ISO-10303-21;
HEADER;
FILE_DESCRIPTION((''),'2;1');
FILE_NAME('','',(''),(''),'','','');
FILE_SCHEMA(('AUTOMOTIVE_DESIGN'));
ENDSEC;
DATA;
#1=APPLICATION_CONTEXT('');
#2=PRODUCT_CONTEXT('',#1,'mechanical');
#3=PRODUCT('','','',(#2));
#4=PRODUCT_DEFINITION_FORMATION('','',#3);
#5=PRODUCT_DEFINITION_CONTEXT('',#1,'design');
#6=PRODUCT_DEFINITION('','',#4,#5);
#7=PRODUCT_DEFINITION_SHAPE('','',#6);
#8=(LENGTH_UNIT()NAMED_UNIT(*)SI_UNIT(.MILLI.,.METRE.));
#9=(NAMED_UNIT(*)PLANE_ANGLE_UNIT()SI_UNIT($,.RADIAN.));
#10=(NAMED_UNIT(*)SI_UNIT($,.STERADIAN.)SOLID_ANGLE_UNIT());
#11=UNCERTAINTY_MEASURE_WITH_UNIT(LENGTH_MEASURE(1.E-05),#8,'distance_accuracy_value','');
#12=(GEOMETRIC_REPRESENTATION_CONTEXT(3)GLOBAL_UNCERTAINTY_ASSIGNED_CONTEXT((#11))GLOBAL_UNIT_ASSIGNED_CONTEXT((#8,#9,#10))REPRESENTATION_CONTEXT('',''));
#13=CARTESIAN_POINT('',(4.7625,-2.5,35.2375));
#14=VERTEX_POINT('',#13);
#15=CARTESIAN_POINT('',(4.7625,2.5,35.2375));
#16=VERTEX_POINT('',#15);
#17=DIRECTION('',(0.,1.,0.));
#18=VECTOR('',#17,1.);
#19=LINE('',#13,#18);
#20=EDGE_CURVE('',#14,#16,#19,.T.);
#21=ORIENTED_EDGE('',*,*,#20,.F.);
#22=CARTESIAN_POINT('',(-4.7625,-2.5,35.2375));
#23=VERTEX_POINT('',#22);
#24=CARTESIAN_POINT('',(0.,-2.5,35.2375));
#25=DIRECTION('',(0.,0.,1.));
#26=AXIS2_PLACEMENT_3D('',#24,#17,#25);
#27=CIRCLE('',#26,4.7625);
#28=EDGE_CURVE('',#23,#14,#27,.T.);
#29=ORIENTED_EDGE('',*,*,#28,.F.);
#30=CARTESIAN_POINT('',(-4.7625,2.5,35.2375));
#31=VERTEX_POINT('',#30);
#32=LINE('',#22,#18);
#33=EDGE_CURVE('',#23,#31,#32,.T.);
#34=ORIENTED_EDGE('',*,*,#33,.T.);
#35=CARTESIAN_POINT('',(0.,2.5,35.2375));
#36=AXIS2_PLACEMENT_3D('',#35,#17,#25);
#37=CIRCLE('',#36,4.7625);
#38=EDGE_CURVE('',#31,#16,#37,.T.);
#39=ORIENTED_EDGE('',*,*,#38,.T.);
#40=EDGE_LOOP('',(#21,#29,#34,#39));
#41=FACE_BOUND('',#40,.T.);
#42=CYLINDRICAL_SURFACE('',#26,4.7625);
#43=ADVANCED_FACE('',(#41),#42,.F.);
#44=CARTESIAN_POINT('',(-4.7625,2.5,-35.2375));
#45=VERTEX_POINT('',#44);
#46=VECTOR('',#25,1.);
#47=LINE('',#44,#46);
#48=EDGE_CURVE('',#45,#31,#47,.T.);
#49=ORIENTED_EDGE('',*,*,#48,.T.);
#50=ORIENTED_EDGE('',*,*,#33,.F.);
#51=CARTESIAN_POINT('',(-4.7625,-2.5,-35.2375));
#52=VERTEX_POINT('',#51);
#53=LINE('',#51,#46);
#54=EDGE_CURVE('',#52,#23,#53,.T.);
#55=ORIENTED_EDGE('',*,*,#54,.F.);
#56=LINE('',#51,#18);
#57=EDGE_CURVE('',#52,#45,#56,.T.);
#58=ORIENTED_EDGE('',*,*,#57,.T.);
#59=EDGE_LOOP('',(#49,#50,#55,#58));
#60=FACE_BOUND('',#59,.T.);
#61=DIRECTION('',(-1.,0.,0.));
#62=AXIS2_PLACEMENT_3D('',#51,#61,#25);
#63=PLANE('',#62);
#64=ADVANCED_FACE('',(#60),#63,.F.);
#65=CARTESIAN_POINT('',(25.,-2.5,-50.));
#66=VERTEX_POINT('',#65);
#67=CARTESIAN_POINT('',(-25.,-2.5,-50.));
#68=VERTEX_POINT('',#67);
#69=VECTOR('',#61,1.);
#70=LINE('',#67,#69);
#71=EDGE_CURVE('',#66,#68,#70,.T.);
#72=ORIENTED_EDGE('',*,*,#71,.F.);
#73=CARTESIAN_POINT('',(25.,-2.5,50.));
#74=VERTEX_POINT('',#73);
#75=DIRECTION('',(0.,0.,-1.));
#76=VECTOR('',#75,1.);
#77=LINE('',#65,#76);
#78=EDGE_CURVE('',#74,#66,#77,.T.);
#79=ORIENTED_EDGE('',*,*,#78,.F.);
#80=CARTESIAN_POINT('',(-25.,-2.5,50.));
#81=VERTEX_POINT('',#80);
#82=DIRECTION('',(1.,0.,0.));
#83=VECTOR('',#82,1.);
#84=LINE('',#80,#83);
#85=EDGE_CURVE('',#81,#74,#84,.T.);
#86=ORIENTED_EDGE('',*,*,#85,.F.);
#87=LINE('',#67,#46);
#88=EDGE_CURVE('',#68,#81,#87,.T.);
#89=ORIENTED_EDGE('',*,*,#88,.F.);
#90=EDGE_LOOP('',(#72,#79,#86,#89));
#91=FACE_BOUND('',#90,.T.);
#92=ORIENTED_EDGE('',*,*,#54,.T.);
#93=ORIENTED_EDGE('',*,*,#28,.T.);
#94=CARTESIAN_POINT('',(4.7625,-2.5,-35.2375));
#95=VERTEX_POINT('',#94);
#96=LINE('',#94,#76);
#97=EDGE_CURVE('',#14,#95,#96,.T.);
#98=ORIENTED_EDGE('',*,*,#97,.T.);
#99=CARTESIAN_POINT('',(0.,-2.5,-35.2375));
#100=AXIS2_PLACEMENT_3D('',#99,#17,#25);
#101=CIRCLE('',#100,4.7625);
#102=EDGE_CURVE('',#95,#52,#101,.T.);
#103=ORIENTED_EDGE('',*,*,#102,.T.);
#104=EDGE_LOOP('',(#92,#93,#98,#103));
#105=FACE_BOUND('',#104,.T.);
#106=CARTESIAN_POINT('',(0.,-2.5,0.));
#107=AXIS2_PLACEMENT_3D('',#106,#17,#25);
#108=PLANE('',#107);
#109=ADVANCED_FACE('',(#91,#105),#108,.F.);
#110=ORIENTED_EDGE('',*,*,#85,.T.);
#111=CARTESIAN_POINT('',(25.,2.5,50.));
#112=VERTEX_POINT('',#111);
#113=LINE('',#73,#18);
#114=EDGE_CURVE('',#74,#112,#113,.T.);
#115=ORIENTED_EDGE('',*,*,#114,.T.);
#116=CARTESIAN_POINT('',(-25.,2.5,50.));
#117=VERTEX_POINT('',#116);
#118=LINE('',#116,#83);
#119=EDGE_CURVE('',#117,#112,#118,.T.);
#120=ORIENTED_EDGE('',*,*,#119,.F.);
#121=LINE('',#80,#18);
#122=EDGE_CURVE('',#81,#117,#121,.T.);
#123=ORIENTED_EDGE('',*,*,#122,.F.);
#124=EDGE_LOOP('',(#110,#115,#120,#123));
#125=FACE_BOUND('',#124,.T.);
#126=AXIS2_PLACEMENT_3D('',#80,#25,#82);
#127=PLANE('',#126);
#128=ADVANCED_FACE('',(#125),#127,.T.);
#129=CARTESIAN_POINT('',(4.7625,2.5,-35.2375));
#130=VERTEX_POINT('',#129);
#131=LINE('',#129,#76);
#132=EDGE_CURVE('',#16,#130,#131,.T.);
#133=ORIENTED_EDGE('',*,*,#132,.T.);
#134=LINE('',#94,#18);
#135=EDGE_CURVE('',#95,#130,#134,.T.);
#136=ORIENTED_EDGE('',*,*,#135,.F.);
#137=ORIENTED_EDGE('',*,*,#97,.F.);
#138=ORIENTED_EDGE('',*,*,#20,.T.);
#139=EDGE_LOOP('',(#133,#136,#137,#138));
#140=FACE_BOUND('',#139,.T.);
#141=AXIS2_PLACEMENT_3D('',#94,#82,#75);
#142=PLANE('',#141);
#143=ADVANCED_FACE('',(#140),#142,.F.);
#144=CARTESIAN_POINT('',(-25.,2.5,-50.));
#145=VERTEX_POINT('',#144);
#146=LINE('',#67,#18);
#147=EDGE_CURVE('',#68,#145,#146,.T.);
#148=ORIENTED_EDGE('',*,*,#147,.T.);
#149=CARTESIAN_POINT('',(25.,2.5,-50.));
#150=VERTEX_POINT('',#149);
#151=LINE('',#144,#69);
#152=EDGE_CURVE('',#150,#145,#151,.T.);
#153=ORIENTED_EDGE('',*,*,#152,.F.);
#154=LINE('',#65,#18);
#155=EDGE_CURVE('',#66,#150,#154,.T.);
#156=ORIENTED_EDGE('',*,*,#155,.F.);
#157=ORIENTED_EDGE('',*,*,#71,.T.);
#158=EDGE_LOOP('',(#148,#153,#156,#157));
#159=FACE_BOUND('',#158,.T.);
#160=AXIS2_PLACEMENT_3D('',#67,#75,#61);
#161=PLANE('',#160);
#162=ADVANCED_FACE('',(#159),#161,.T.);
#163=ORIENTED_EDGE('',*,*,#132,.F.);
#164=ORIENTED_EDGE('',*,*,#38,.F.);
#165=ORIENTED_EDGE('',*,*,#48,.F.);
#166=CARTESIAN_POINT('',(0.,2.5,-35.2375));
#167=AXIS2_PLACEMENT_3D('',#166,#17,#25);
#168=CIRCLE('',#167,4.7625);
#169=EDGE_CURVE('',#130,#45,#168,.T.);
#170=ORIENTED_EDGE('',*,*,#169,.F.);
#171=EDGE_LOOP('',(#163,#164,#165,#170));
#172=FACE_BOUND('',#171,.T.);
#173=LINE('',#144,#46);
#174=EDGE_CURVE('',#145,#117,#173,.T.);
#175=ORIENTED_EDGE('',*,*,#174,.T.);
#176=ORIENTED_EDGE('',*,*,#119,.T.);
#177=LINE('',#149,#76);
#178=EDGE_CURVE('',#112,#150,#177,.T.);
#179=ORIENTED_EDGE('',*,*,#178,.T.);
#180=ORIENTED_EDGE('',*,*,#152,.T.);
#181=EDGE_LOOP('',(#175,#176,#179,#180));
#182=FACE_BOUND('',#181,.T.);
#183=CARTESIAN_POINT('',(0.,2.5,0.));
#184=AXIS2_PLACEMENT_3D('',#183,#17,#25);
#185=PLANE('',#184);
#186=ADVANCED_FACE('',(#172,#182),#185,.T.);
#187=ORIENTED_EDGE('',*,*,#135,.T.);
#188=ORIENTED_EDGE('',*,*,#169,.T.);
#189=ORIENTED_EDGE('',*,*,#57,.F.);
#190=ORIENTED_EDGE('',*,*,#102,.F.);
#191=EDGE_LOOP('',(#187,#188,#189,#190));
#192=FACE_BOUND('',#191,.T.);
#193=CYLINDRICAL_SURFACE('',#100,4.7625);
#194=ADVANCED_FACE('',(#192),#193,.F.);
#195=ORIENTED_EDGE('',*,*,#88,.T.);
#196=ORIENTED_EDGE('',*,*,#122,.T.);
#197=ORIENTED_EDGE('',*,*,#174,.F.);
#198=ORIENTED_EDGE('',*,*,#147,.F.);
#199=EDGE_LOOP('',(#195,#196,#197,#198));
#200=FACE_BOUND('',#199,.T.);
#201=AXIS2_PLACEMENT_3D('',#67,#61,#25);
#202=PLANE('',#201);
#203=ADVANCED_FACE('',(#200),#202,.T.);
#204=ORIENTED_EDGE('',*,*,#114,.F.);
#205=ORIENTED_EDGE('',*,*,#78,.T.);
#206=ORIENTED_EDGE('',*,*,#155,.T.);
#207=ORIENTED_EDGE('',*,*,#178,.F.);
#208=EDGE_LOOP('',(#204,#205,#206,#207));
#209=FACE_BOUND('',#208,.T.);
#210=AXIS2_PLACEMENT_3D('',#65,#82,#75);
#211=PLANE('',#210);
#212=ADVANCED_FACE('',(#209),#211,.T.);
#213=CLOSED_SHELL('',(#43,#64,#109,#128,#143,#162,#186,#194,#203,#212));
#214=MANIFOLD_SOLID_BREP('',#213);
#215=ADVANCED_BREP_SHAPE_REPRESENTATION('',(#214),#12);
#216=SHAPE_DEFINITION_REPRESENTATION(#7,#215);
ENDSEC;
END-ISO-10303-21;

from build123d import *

# Parameters (mm, degrees)
BOSS_EXTRUDE1_DEPTH      = 2.5
BOSS_EXTRUDE1_DEPTH_BACK = 2.5
SKETCH1_W                = 50
SKETCH1_H                = 100


with BuildPart() as part:
    # Sketch1 → Boss-Extrude1 (new, two sides: drawn at the far end of the back side and taken through both)
    with BuildSketch(Plane(origin=(0, 0, 0), x_dir=(1, 0, 0), z_dir=(0, 1, 0)).offset(-BOSS_EXTRUDE1_DEPTH_BACK)):
        Rectangle(SKETCH1_W, SKETCH1_H)
        with BuildLine():
            Line((4.7625, 35.2375), (4.7625, -35.2375))
            ThreePointArc((4.7625, -35.2375), (0, -40), (-4.7625, -35.2375))
            Line((-4.7625, -35.2375), (-4.7625, 35.2375))
            ThreePointArc((-4.7625, 35.2375), (0, 40), (4.7625, 35.2375))
        make_face(mode=Mode.SUBTRACT)
    extrude(amount=BOSS_EXTRUDE1_DEPTH + BOSS_EXTRUDE1_DEPTH_BACK)


solid = part.part
